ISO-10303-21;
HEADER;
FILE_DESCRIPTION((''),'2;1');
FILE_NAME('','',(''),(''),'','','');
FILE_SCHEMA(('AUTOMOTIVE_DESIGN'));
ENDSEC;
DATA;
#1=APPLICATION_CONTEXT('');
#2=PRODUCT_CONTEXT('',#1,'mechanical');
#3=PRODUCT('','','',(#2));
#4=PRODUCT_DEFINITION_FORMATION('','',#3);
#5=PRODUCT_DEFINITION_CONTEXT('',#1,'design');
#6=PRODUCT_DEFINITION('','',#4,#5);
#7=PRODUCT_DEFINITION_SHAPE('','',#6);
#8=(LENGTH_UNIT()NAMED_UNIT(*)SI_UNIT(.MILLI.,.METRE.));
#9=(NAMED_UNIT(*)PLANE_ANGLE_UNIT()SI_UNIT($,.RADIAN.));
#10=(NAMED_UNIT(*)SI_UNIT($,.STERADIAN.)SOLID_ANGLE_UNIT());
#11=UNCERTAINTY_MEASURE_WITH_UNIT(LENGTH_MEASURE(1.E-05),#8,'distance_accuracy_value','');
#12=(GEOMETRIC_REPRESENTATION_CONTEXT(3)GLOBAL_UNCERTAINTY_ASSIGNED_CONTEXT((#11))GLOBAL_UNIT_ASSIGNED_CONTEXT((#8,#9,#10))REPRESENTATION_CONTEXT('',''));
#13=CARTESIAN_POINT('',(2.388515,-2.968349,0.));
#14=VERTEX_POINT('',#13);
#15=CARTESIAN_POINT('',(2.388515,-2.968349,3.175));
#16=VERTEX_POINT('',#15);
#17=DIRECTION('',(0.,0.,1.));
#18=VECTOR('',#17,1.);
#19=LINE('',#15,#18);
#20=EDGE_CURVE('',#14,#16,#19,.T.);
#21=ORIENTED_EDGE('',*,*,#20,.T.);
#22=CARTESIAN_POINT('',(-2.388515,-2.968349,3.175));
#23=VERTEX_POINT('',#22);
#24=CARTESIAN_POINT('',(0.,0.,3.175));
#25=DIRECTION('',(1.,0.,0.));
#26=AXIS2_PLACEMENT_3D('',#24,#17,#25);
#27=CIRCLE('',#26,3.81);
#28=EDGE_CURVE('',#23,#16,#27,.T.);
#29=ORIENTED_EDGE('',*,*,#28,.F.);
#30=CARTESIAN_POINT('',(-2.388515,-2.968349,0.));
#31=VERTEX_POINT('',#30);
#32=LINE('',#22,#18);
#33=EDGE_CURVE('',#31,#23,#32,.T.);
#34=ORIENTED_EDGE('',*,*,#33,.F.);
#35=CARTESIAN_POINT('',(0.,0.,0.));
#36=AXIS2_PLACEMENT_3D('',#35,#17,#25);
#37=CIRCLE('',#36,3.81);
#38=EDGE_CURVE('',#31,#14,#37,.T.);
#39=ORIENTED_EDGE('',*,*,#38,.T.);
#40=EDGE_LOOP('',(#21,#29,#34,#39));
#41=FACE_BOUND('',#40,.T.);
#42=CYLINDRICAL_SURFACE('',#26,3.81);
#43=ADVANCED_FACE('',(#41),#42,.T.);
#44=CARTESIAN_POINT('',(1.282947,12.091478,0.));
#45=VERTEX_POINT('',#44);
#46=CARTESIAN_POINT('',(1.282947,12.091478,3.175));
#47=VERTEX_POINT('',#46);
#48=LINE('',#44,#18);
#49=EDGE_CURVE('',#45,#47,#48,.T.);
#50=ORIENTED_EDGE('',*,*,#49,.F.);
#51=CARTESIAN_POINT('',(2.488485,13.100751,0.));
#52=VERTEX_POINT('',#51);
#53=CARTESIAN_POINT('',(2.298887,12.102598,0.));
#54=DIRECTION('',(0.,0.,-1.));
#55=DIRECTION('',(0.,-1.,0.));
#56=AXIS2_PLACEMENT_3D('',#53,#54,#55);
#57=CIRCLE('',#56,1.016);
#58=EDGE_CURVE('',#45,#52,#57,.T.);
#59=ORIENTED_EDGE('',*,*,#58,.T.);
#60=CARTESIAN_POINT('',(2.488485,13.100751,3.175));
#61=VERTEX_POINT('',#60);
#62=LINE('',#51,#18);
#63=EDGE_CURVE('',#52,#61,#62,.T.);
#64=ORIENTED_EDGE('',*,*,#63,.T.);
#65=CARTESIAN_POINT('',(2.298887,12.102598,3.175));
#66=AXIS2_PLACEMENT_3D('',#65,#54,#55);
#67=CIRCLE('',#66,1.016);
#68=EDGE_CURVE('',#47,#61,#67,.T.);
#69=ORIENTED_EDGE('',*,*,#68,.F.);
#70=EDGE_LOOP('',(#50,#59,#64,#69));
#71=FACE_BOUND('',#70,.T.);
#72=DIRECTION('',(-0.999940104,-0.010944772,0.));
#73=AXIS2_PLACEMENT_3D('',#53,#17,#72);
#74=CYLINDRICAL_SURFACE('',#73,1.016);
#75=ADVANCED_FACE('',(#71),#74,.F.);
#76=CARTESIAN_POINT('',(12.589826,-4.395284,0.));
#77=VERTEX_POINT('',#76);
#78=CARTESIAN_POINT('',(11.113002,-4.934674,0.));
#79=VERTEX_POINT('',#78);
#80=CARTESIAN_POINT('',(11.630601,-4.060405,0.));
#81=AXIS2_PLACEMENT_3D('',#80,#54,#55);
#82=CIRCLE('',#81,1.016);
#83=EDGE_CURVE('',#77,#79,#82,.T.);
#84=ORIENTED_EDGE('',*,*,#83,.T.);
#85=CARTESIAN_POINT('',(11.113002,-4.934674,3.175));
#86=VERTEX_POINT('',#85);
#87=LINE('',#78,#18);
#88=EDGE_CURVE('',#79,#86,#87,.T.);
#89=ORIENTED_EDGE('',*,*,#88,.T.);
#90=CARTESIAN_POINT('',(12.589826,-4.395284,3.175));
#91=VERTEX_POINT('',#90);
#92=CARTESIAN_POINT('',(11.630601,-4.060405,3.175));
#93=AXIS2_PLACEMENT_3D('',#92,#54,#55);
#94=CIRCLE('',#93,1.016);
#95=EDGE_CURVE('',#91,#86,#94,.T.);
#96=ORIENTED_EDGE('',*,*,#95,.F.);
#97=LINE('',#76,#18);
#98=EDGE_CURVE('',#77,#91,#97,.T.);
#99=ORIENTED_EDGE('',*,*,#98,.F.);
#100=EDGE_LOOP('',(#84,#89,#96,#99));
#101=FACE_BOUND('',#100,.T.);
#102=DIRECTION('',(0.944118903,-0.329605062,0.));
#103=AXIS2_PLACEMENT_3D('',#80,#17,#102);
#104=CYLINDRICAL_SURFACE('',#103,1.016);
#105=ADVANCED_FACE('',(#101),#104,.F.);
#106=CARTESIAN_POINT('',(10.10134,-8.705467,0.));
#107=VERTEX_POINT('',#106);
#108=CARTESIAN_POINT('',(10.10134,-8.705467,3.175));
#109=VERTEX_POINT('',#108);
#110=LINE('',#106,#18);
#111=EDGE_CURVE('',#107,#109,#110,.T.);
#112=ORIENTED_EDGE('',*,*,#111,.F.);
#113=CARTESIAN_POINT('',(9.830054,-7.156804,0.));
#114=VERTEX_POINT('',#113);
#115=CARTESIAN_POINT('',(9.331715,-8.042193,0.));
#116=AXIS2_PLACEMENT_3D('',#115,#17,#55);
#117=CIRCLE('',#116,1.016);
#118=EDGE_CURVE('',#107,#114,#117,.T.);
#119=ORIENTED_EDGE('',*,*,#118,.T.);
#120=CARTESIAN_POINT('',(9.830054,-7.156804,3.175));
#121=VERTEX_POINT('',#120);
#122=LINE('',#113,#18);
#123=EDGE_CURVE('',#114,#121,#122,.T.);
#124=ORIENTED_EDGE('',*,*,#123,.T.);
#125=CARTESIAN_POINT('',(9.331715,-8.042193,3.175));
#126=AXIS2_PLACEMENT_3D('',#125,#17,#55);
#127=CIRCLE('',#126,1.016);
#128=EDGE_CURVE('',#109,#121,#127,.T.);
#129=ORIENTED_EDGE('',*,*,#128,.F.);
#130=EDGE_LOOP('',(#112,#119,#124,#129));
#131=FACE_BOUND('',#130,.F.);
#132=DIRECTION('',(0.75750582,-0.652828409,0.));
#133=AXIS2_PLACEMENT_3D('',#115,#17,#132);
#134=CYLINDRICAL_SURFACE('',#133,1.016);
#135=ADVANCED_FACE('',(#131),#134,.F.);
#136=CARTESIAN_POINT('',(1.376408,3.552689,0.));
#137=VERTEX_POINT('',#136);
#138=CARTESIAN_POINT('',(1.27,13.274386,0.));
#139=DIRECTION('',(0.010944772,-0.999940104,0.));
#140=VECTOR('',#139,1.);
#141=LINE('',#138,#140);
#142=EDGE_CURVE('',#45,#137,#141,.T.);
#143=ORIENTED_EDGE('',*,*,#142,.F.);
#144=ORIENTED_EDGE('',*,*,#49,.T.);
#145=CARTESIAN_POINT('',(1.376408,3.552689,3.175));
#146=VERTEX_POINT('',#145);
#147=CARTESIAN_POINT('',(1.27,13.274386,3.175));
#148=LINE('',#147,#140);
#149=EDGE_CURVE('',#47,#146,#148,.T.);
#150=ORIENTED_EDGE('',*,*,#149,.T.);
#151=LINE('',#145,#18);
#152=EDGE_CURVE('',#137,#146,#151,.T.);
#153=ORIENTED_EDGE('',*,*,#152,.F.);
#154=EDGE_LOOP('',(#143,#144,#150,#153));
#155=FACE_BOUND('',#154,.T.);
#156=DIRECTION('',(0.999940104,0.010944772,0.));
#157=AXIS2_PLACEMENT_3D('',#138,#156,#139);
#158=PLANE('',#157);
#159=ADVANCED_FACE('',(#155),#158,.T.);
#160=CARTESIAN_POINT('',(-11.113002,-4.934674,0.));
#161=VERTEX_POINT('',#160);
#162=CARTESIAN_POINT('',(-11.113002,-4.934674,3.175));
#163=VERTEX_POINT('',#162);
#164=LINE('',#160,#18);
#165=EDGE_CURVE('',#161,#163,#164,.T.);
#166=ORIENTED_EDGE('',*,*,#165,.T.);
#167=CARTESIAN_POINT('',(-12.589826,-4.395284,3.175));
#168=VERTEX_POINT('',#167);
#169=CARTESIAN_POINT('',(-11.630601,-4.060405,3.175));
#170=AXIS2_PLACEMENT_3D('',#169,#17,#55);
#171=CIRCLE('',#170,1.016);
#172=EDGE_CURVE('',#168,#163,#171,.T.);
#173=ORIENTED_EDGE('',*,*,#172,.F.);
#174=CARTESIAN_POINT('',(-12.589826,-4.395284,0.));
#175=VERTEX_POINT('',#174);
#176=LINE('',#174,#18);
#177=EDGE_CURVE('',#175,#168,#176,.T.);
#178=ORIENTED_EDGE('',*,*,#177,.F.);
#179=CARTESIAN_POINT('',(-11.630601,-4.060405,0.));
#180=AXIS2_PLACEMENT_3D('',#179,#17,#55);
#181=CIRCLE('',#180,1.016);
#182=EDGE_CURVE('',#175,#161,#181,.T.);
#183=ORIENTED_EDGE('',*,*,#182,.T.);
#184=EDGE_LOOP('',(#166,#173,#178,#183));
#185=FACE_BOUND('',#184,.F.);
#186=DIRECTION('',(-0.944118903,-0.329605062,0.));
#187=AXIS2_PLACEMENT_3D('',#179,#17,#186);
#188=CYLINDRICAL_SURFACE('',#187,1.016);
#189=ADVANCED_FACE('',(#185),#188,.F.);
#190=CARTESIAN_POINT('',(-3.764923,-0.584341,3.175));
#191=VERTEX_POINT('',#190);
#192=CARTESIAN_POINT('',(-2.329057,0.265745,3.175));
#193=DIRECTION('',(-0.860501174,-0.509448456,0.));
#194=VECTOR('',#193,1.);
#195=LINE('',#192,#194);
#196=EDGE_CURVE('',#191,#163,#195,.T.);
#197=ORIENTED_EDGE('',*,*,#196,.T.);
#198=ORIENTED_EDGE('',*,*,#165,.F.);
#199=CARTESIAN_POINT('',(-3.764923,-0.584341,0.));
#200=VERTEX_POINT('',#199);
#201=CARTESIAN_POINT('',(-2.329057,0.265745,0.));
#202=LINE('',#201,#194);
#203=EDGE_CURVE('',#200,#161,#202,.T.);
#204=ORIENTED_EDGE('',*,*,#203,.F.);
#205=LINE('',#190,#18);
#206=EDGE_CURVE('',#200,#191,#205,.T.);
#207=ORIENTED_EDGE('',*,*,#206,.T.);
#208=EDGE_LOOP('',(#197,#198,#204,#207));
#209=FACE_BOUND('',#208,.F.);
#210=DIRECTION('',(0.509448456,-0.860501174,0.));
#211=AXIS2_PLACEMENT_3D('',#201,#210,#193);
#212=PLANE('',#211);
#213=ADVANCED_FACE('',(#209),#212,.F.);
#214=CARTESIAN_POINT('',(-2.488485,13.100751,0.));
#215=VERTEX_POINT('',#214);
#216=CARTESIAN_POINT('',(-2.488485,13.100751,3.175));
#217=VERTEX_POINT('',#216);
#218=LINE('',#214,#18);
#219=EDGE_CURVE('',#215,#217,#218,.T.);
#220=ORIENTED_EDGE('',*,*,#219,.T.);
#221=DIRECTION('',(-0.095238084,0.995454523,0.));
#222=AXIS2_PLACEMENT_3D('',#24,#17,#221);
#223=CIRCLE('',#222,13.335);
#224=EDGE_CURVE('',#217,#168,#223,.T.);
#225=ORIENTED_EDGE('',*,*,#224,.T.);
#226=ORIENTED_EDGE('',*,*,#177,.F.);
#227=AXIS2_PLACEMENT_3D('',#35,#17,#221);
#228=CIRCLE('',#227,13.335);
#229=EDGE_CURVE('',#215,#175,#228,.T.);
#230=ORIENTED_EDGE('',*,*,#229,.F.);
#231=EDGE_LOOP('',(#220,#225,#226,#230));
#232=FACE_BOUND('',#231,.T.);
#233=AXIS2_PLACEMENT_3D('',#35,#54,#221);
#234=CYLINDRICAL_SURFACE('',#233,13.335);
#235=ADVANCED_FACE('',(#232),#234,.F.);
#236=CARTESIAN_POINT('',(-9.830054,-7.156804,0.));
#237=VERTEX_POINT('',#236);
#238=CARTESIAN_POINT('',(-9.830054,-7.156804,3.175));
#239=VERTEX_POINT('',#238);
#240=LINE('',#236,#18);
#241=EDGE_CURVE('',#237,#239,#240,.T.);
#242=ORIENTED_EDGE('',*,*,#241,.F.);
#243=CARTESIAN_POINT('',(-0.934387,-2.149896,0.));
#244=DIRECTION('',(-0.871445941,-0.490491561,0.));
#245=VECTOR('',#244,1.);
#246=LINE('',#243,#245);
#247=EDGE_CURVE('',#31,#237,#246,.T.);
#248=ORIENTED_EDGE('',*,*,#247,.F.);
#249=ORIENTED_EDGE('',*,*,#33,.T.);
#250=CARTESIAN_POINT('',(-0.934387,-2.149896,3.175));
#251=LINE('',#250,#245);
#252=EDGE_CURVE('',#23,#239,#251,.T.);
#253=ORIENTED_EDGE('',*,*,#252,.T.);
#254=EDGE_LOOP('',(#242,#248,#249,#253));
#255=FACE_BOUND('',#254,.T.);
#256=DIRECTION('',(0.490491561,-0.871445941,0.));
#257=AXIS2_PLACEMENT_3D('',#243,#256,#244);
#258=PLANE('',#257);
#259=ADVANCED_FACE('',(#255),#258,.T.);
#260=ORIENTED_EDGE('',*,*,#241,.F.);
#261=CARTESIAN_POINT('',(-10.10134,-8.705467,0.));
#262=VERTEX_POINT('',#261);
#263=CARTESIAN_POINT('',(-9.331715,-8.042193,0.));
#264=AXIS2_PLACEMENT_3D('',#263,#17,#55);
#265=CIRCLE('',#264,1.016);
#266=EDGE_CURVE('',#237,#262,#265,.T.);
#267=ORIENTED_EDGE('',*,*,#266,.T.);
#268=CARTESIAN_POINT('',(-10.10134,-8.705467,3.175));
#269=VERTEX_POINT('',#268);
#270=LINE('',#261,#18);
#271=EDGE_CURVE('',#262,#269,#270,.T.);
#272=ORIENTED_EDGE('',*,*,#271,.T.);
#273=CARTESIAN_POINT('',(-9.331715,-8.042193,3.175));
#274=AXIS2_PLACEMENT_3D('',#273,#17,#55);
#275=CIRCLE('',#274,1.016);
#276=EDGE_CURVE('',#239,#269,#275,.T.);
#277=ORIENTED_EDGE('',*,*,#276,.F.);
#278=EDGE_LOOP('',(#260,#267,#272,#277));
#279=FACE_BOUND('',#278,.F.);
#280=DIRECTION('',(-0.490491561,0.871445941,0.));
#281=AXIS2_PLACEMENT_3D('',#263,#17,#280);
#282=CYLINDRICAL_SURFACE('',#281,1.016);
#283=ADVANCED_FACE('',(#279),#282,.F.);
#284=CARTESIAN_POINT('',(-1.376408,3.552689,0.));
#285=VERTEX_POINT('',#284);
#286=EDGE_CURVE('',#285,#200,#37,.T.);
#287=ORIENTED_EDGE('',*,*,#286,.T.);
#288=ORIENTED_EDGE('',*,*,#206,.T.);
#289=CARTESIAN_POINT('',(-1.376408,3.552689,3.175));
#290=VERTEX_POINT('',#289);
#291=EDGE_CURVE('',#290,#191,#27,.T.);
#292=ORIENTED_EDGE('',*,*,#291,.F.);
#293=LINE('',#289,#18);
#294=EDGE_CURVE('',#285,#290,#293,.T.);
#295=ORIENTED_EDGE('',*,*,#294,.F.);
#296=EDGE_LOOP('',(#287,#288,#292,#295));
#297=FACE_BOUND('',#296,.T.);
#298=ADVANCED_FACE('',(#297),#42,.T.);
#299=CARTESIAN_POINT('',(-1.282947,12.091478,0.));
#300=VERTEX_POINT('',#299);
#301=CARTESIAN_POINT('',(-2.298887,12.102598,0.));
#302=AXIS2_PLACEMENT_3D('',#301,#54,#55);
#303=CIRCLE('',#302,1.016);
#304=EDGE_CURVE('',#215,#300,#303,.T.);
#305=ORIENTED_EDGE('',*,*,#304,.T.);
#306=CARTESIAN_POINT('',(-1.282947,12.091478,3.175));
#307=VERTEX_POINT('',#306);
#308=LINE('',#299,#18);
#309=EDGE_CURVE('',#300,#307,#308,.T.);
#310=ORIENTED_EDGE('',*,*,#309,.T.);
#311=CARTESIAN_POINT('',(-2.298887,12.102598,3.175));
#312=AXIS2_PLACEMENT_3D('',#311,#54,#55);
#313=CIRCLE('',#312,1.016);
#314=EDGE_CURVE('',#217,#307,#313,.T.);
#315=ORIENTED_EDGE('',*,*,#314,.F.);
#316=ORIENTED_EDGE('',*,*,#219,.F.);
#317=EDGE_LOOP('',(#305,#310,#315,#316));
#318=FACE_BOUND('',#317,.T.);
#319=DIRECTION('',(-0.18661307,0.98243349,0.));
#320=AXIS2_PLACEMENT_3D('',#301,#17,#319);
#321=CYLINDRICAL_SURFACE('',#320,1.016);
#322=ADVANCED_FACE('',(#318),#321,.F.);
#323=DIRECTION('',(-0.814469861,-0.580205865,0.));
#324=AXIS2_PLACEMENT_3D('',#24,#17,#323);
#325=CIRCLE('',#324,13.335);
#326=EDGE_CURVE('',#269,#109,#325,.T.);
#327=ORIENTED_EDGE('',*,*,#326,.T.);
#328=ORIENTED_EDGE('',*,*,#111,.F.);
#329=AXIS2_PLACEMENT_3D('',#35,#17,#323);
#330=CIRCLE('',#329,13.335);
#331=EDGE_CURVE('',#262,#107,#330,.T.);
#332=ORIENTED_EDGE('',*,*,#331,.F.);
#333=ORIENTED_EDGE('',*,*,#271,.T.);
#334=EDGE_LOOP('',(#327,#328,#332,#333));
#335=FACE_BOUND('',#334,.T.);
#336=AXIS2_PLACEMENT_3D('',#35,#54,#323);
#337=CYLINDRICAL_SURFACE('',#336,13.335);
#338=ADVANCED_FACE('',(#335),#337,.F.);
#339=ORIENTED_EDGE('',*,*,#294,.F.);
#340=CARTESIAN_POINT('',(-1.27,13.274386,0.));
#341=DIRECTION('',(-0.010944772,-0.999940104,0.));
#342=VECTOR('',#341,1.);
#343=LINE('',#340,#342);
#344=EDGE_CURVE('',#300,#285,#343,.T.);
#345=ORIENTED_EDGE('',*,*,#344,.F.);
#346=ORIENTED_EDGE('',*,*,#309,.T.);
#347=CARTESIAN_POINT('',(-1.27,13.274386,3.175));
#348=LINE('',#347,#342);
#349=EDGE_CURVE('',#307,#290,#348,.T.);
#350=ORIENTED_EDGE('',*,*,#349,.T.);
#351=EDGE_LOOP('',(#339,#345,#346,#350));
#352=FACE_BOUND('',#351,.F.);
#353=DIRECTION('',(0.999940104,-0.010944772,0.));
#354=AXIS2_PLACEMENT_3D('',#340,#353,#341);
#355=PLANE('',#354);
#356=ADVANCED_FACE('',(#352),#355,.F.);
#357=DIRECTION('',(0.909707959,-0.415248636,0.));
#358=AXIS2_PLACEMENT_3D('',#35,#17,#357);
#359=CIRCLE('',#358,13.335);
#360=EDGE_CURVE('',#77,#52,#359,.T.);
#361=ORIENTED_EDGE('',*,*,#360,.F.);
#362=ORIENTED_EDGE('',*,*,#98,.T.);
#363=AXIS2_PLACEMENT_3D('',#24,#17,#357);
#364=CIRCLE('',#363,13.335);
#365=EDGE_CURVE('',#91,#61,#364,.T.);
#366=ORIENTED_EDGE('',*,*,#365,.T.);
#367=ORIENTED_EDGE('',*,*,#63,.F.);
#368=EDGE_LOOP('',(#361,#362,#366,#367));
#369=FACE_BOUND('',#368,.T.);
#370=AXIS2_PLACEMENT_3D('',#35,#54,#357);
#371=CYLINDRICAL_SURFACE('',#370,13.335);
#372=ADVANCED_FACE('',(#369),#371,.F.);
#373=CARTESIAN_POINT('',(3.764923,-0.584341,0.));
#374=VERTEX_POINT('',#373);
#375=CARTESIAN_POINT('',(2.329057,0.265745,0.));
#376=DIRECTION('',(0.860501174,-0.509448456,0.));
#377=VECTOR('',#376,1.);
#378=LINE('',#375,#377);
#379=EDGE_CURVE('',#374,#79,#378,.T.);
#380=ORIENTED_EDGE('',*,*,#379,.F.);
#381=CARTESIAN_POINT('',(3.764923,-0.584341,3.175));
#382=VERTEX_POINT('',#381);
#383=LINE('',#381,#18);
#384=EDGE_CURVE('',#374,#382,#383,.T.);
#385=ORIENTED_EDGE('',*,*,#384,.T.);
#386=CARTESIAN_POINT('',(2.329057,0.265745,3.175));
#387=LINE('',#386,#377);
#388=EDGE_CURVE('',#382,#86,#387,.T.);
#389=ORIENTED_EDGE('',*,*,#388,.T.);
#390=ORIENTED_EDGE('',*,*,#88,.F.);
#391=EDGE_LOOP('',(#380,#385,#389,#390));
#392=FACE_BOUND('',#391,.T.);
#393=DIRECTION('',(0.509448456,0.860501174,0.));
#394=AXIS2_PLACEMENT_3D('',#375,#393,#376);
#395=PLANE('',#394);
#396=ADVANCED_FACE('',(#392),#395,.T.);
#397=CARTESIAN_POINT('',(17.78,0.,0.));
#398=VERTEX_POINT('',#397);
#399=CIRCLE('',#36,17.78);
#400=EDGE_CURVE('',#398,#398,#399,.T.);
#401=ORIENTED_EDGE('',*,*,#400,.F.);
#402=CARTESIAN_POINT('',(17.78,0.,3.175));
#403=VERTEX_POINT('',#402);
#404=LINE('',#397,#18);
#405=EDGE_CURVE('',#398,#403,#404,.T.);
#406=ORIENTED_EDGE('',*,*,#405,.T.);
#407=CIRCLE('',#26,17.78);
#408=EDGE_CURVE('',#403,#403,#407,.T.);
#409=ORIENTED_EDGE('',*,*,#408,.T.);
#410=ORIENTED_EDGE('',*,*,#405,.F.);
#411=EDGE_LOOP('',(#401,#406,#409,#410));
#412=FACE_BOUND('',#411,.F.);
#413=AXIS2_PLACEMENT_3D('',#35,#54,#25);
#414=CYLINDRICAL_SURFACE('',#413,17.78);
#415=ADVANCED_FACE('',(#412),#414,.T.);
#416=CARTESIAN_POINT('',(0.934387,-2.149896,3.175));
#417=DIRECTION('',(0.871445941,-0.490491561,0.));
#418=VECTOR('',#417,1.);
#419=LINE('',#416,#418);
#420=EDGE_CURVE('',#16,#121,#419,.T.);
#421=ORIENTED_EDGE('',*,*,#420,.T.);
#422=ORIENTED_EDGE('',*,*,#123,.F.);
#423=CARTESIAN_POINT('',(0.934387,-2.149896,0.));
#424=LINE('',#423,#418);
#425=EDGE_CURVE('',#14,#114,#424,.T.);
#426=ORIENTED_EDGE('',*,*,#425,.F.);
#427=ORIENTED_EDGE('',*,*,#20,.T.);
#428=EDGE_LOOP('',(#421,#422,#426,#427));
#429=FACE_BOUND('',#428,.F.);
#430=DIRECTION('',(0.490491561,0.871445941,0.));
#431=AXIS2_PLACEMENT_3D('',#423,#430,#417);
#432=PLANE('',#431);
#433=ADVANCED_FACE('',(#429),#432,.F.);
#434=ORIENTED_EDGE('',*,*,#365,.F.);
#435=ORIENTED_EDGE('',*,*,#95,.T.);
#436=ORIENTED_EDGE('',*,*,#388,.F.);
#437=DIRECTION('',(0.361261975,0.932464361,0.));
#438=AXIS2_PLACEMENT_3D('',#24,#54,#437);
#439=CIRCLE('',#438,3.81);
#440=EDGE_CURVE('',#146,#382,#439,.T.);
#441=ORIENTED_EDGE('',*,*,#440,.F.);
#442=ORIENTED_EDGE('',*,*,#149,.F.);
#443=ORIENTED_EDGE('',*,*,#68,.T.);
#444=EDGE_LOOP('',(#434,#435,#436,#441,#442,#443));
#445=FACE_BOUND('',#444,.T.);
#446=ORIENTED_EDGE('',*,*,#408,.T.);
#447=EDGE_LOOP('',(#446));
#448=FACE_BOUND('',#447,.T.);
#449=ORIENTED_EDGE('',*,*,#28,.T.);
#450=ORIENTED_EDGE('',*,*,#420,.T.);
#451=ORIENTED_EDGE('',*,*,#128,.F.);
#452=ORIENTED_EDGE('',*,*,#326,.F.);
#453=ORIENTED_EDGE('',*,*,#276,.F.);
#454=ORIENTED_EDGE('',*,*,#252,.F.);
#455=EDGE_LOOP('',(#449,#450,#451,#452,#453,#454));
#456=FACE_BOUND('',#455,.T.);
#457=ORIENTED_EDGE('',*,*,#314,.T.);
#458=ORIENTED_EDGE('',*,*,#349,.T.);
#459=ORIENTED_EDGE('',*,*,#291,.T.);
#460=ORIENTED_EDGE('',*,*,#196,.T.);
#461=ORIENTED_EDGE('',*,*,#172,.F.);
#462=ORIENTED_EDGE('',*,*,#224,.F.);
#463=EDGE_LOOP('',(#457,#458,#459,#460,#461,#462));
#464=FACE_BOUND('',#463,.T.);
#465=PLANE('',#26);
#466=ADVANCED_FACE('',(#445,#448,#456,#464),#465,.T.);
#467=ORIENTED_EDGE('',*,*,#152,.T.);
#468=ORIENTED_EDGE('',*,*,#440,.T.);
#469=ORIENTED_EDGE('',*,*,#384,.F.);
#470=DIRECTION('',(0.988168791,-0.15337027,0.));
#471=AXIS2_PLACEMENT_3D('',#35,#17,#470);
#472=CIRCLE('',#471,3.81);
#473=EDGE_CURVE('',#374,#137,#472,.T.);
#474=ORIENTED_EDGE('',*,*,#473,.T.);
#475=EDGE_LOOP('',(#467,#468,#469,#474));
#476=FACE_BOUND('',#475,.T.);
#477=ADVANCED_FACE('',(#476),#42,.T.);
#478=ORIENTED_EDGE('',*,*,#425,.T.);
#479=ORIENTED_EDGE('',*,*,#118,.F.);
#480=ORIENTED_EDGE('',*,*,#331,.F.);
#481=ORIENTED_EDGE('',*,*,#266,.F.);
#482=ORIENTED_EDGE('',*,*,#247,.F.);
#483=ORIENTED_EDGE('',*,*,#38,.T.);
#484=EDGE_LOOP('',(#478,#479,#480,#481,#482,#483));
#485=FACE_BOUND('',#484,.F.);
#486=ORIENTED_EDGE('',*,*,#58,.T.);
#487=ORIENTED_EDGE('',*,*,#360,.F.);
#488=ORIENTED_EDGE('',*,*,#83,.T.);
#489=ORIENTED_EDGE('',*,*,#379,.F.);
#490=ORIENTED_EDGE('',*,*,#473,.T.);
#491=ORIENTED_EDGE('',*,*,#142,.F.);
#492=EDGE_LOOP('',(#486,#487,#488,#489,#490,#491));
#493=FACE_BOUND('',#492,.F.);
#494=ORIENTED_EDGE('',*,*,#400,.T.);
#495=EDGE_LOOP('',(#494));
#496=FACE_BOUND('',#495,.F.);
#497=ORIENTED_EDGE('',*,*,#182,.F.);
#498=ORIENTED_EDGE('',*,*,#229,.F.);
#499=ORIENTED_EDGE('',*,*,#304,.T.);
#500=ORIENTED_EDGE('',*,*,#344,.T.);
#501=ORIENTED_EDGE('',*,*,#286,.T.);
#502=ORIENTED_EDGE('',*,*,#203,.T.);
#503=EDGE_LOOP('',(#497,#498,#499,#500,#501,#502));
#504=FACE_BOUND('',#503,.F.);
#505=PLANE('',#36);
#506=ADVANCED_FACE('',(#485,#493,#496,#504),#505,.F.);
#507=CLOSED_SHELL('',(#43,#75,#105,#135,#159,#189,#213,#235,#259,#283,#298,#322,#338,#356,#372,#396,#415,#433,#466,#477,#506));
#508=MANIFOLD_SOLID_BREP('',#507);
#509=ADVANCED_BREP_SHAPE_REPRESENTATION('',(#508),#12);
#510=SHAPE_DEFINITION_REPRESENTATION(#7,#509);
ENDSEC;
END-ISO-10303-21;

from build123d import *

# Parameters (mm, degrees)
SKETCH_R     = 17.78
PAD_DEPTH    = 3.175
FILLET_R     = 1.016
SKETCH001_R  = 3.81
PAD001_DEPTH = 3.175


with BuildPart() as part:
    # Sketch → Pad (new body)
    with BuildSketch(Plane.XY):
        Circle(SKETCH_R)
        with BuildLine():
            Line((-1.27, 13.274386), (-1.394671, 1.88415))
            ThreePointArc((-2.329057, 0.265745), (-1.649778, 0.9525), (-1.394671, 1.88415))
            Line((-2.329057, 0.265745), (-12.130956, -5.537341))
            ThreePointArc((-1.27, 13.274386), (-11.548449, 6.6675), (-12.130956, -5.537341))
        make_face(mode=Mode.SUBTRACT)
        with BuildLine():
            Line((1.27, 13.274386), (1.394671, 1.88415))
            ThreePointArc((1.394671, 1.88415), (1.649778, 0.9525), (2.329057, 0.265745))
            Line((2.329057, 0.265745), (12.130956, -5.537341))
            ThreePointArc((12.130956, -5.537341), (11.548449, 6.6675), (1.27, 13.274386))
        make_face(mode=Mode.SUBTRACT)
        with BuildLine():
            Line((-0.934387, -2.149896), (-10.860956, -7.737045))
            ThreePointArc((-10.860956, -7.737045), (0, -13.335), (10.860956, -7.737045))
            Line((0.934387, -2.149896), (10.860956, -7.737045))
            ThreePointArc((0.934387, -2.149896), (0, -1.905), (-0.934387, -2.149896))
        make_face(mode=Mode.SUBTRACT)
    extrude(amount=PAD_DEPTH)

    # Fillet
    fillet_edges = [part.edges().sort_by_distance(p)[0] for p in [
        (-12.130956, -5.537341, 1.5875),
        (-1.27, 13.274386, 1.5875),
        (1.27, 13.274386, 1.5875),
        (-10.860956, -7.737045, 1.5875),
        (10.860956, -7.737045, 1.5875),
        (12.130956, -5.537341, 1.5875),
    ]]
    fillet(fillet_edges, radius=FILLET_R)

    # Sketch001 (on Face5 of Fillet) → Pad001 (join)
    with BuildSketch(Plane.XY.offset(3.175)):
        Circle(SKETCH001_R)
    extrude(amount=-PAD001_DEPTH)


solid = part.part
